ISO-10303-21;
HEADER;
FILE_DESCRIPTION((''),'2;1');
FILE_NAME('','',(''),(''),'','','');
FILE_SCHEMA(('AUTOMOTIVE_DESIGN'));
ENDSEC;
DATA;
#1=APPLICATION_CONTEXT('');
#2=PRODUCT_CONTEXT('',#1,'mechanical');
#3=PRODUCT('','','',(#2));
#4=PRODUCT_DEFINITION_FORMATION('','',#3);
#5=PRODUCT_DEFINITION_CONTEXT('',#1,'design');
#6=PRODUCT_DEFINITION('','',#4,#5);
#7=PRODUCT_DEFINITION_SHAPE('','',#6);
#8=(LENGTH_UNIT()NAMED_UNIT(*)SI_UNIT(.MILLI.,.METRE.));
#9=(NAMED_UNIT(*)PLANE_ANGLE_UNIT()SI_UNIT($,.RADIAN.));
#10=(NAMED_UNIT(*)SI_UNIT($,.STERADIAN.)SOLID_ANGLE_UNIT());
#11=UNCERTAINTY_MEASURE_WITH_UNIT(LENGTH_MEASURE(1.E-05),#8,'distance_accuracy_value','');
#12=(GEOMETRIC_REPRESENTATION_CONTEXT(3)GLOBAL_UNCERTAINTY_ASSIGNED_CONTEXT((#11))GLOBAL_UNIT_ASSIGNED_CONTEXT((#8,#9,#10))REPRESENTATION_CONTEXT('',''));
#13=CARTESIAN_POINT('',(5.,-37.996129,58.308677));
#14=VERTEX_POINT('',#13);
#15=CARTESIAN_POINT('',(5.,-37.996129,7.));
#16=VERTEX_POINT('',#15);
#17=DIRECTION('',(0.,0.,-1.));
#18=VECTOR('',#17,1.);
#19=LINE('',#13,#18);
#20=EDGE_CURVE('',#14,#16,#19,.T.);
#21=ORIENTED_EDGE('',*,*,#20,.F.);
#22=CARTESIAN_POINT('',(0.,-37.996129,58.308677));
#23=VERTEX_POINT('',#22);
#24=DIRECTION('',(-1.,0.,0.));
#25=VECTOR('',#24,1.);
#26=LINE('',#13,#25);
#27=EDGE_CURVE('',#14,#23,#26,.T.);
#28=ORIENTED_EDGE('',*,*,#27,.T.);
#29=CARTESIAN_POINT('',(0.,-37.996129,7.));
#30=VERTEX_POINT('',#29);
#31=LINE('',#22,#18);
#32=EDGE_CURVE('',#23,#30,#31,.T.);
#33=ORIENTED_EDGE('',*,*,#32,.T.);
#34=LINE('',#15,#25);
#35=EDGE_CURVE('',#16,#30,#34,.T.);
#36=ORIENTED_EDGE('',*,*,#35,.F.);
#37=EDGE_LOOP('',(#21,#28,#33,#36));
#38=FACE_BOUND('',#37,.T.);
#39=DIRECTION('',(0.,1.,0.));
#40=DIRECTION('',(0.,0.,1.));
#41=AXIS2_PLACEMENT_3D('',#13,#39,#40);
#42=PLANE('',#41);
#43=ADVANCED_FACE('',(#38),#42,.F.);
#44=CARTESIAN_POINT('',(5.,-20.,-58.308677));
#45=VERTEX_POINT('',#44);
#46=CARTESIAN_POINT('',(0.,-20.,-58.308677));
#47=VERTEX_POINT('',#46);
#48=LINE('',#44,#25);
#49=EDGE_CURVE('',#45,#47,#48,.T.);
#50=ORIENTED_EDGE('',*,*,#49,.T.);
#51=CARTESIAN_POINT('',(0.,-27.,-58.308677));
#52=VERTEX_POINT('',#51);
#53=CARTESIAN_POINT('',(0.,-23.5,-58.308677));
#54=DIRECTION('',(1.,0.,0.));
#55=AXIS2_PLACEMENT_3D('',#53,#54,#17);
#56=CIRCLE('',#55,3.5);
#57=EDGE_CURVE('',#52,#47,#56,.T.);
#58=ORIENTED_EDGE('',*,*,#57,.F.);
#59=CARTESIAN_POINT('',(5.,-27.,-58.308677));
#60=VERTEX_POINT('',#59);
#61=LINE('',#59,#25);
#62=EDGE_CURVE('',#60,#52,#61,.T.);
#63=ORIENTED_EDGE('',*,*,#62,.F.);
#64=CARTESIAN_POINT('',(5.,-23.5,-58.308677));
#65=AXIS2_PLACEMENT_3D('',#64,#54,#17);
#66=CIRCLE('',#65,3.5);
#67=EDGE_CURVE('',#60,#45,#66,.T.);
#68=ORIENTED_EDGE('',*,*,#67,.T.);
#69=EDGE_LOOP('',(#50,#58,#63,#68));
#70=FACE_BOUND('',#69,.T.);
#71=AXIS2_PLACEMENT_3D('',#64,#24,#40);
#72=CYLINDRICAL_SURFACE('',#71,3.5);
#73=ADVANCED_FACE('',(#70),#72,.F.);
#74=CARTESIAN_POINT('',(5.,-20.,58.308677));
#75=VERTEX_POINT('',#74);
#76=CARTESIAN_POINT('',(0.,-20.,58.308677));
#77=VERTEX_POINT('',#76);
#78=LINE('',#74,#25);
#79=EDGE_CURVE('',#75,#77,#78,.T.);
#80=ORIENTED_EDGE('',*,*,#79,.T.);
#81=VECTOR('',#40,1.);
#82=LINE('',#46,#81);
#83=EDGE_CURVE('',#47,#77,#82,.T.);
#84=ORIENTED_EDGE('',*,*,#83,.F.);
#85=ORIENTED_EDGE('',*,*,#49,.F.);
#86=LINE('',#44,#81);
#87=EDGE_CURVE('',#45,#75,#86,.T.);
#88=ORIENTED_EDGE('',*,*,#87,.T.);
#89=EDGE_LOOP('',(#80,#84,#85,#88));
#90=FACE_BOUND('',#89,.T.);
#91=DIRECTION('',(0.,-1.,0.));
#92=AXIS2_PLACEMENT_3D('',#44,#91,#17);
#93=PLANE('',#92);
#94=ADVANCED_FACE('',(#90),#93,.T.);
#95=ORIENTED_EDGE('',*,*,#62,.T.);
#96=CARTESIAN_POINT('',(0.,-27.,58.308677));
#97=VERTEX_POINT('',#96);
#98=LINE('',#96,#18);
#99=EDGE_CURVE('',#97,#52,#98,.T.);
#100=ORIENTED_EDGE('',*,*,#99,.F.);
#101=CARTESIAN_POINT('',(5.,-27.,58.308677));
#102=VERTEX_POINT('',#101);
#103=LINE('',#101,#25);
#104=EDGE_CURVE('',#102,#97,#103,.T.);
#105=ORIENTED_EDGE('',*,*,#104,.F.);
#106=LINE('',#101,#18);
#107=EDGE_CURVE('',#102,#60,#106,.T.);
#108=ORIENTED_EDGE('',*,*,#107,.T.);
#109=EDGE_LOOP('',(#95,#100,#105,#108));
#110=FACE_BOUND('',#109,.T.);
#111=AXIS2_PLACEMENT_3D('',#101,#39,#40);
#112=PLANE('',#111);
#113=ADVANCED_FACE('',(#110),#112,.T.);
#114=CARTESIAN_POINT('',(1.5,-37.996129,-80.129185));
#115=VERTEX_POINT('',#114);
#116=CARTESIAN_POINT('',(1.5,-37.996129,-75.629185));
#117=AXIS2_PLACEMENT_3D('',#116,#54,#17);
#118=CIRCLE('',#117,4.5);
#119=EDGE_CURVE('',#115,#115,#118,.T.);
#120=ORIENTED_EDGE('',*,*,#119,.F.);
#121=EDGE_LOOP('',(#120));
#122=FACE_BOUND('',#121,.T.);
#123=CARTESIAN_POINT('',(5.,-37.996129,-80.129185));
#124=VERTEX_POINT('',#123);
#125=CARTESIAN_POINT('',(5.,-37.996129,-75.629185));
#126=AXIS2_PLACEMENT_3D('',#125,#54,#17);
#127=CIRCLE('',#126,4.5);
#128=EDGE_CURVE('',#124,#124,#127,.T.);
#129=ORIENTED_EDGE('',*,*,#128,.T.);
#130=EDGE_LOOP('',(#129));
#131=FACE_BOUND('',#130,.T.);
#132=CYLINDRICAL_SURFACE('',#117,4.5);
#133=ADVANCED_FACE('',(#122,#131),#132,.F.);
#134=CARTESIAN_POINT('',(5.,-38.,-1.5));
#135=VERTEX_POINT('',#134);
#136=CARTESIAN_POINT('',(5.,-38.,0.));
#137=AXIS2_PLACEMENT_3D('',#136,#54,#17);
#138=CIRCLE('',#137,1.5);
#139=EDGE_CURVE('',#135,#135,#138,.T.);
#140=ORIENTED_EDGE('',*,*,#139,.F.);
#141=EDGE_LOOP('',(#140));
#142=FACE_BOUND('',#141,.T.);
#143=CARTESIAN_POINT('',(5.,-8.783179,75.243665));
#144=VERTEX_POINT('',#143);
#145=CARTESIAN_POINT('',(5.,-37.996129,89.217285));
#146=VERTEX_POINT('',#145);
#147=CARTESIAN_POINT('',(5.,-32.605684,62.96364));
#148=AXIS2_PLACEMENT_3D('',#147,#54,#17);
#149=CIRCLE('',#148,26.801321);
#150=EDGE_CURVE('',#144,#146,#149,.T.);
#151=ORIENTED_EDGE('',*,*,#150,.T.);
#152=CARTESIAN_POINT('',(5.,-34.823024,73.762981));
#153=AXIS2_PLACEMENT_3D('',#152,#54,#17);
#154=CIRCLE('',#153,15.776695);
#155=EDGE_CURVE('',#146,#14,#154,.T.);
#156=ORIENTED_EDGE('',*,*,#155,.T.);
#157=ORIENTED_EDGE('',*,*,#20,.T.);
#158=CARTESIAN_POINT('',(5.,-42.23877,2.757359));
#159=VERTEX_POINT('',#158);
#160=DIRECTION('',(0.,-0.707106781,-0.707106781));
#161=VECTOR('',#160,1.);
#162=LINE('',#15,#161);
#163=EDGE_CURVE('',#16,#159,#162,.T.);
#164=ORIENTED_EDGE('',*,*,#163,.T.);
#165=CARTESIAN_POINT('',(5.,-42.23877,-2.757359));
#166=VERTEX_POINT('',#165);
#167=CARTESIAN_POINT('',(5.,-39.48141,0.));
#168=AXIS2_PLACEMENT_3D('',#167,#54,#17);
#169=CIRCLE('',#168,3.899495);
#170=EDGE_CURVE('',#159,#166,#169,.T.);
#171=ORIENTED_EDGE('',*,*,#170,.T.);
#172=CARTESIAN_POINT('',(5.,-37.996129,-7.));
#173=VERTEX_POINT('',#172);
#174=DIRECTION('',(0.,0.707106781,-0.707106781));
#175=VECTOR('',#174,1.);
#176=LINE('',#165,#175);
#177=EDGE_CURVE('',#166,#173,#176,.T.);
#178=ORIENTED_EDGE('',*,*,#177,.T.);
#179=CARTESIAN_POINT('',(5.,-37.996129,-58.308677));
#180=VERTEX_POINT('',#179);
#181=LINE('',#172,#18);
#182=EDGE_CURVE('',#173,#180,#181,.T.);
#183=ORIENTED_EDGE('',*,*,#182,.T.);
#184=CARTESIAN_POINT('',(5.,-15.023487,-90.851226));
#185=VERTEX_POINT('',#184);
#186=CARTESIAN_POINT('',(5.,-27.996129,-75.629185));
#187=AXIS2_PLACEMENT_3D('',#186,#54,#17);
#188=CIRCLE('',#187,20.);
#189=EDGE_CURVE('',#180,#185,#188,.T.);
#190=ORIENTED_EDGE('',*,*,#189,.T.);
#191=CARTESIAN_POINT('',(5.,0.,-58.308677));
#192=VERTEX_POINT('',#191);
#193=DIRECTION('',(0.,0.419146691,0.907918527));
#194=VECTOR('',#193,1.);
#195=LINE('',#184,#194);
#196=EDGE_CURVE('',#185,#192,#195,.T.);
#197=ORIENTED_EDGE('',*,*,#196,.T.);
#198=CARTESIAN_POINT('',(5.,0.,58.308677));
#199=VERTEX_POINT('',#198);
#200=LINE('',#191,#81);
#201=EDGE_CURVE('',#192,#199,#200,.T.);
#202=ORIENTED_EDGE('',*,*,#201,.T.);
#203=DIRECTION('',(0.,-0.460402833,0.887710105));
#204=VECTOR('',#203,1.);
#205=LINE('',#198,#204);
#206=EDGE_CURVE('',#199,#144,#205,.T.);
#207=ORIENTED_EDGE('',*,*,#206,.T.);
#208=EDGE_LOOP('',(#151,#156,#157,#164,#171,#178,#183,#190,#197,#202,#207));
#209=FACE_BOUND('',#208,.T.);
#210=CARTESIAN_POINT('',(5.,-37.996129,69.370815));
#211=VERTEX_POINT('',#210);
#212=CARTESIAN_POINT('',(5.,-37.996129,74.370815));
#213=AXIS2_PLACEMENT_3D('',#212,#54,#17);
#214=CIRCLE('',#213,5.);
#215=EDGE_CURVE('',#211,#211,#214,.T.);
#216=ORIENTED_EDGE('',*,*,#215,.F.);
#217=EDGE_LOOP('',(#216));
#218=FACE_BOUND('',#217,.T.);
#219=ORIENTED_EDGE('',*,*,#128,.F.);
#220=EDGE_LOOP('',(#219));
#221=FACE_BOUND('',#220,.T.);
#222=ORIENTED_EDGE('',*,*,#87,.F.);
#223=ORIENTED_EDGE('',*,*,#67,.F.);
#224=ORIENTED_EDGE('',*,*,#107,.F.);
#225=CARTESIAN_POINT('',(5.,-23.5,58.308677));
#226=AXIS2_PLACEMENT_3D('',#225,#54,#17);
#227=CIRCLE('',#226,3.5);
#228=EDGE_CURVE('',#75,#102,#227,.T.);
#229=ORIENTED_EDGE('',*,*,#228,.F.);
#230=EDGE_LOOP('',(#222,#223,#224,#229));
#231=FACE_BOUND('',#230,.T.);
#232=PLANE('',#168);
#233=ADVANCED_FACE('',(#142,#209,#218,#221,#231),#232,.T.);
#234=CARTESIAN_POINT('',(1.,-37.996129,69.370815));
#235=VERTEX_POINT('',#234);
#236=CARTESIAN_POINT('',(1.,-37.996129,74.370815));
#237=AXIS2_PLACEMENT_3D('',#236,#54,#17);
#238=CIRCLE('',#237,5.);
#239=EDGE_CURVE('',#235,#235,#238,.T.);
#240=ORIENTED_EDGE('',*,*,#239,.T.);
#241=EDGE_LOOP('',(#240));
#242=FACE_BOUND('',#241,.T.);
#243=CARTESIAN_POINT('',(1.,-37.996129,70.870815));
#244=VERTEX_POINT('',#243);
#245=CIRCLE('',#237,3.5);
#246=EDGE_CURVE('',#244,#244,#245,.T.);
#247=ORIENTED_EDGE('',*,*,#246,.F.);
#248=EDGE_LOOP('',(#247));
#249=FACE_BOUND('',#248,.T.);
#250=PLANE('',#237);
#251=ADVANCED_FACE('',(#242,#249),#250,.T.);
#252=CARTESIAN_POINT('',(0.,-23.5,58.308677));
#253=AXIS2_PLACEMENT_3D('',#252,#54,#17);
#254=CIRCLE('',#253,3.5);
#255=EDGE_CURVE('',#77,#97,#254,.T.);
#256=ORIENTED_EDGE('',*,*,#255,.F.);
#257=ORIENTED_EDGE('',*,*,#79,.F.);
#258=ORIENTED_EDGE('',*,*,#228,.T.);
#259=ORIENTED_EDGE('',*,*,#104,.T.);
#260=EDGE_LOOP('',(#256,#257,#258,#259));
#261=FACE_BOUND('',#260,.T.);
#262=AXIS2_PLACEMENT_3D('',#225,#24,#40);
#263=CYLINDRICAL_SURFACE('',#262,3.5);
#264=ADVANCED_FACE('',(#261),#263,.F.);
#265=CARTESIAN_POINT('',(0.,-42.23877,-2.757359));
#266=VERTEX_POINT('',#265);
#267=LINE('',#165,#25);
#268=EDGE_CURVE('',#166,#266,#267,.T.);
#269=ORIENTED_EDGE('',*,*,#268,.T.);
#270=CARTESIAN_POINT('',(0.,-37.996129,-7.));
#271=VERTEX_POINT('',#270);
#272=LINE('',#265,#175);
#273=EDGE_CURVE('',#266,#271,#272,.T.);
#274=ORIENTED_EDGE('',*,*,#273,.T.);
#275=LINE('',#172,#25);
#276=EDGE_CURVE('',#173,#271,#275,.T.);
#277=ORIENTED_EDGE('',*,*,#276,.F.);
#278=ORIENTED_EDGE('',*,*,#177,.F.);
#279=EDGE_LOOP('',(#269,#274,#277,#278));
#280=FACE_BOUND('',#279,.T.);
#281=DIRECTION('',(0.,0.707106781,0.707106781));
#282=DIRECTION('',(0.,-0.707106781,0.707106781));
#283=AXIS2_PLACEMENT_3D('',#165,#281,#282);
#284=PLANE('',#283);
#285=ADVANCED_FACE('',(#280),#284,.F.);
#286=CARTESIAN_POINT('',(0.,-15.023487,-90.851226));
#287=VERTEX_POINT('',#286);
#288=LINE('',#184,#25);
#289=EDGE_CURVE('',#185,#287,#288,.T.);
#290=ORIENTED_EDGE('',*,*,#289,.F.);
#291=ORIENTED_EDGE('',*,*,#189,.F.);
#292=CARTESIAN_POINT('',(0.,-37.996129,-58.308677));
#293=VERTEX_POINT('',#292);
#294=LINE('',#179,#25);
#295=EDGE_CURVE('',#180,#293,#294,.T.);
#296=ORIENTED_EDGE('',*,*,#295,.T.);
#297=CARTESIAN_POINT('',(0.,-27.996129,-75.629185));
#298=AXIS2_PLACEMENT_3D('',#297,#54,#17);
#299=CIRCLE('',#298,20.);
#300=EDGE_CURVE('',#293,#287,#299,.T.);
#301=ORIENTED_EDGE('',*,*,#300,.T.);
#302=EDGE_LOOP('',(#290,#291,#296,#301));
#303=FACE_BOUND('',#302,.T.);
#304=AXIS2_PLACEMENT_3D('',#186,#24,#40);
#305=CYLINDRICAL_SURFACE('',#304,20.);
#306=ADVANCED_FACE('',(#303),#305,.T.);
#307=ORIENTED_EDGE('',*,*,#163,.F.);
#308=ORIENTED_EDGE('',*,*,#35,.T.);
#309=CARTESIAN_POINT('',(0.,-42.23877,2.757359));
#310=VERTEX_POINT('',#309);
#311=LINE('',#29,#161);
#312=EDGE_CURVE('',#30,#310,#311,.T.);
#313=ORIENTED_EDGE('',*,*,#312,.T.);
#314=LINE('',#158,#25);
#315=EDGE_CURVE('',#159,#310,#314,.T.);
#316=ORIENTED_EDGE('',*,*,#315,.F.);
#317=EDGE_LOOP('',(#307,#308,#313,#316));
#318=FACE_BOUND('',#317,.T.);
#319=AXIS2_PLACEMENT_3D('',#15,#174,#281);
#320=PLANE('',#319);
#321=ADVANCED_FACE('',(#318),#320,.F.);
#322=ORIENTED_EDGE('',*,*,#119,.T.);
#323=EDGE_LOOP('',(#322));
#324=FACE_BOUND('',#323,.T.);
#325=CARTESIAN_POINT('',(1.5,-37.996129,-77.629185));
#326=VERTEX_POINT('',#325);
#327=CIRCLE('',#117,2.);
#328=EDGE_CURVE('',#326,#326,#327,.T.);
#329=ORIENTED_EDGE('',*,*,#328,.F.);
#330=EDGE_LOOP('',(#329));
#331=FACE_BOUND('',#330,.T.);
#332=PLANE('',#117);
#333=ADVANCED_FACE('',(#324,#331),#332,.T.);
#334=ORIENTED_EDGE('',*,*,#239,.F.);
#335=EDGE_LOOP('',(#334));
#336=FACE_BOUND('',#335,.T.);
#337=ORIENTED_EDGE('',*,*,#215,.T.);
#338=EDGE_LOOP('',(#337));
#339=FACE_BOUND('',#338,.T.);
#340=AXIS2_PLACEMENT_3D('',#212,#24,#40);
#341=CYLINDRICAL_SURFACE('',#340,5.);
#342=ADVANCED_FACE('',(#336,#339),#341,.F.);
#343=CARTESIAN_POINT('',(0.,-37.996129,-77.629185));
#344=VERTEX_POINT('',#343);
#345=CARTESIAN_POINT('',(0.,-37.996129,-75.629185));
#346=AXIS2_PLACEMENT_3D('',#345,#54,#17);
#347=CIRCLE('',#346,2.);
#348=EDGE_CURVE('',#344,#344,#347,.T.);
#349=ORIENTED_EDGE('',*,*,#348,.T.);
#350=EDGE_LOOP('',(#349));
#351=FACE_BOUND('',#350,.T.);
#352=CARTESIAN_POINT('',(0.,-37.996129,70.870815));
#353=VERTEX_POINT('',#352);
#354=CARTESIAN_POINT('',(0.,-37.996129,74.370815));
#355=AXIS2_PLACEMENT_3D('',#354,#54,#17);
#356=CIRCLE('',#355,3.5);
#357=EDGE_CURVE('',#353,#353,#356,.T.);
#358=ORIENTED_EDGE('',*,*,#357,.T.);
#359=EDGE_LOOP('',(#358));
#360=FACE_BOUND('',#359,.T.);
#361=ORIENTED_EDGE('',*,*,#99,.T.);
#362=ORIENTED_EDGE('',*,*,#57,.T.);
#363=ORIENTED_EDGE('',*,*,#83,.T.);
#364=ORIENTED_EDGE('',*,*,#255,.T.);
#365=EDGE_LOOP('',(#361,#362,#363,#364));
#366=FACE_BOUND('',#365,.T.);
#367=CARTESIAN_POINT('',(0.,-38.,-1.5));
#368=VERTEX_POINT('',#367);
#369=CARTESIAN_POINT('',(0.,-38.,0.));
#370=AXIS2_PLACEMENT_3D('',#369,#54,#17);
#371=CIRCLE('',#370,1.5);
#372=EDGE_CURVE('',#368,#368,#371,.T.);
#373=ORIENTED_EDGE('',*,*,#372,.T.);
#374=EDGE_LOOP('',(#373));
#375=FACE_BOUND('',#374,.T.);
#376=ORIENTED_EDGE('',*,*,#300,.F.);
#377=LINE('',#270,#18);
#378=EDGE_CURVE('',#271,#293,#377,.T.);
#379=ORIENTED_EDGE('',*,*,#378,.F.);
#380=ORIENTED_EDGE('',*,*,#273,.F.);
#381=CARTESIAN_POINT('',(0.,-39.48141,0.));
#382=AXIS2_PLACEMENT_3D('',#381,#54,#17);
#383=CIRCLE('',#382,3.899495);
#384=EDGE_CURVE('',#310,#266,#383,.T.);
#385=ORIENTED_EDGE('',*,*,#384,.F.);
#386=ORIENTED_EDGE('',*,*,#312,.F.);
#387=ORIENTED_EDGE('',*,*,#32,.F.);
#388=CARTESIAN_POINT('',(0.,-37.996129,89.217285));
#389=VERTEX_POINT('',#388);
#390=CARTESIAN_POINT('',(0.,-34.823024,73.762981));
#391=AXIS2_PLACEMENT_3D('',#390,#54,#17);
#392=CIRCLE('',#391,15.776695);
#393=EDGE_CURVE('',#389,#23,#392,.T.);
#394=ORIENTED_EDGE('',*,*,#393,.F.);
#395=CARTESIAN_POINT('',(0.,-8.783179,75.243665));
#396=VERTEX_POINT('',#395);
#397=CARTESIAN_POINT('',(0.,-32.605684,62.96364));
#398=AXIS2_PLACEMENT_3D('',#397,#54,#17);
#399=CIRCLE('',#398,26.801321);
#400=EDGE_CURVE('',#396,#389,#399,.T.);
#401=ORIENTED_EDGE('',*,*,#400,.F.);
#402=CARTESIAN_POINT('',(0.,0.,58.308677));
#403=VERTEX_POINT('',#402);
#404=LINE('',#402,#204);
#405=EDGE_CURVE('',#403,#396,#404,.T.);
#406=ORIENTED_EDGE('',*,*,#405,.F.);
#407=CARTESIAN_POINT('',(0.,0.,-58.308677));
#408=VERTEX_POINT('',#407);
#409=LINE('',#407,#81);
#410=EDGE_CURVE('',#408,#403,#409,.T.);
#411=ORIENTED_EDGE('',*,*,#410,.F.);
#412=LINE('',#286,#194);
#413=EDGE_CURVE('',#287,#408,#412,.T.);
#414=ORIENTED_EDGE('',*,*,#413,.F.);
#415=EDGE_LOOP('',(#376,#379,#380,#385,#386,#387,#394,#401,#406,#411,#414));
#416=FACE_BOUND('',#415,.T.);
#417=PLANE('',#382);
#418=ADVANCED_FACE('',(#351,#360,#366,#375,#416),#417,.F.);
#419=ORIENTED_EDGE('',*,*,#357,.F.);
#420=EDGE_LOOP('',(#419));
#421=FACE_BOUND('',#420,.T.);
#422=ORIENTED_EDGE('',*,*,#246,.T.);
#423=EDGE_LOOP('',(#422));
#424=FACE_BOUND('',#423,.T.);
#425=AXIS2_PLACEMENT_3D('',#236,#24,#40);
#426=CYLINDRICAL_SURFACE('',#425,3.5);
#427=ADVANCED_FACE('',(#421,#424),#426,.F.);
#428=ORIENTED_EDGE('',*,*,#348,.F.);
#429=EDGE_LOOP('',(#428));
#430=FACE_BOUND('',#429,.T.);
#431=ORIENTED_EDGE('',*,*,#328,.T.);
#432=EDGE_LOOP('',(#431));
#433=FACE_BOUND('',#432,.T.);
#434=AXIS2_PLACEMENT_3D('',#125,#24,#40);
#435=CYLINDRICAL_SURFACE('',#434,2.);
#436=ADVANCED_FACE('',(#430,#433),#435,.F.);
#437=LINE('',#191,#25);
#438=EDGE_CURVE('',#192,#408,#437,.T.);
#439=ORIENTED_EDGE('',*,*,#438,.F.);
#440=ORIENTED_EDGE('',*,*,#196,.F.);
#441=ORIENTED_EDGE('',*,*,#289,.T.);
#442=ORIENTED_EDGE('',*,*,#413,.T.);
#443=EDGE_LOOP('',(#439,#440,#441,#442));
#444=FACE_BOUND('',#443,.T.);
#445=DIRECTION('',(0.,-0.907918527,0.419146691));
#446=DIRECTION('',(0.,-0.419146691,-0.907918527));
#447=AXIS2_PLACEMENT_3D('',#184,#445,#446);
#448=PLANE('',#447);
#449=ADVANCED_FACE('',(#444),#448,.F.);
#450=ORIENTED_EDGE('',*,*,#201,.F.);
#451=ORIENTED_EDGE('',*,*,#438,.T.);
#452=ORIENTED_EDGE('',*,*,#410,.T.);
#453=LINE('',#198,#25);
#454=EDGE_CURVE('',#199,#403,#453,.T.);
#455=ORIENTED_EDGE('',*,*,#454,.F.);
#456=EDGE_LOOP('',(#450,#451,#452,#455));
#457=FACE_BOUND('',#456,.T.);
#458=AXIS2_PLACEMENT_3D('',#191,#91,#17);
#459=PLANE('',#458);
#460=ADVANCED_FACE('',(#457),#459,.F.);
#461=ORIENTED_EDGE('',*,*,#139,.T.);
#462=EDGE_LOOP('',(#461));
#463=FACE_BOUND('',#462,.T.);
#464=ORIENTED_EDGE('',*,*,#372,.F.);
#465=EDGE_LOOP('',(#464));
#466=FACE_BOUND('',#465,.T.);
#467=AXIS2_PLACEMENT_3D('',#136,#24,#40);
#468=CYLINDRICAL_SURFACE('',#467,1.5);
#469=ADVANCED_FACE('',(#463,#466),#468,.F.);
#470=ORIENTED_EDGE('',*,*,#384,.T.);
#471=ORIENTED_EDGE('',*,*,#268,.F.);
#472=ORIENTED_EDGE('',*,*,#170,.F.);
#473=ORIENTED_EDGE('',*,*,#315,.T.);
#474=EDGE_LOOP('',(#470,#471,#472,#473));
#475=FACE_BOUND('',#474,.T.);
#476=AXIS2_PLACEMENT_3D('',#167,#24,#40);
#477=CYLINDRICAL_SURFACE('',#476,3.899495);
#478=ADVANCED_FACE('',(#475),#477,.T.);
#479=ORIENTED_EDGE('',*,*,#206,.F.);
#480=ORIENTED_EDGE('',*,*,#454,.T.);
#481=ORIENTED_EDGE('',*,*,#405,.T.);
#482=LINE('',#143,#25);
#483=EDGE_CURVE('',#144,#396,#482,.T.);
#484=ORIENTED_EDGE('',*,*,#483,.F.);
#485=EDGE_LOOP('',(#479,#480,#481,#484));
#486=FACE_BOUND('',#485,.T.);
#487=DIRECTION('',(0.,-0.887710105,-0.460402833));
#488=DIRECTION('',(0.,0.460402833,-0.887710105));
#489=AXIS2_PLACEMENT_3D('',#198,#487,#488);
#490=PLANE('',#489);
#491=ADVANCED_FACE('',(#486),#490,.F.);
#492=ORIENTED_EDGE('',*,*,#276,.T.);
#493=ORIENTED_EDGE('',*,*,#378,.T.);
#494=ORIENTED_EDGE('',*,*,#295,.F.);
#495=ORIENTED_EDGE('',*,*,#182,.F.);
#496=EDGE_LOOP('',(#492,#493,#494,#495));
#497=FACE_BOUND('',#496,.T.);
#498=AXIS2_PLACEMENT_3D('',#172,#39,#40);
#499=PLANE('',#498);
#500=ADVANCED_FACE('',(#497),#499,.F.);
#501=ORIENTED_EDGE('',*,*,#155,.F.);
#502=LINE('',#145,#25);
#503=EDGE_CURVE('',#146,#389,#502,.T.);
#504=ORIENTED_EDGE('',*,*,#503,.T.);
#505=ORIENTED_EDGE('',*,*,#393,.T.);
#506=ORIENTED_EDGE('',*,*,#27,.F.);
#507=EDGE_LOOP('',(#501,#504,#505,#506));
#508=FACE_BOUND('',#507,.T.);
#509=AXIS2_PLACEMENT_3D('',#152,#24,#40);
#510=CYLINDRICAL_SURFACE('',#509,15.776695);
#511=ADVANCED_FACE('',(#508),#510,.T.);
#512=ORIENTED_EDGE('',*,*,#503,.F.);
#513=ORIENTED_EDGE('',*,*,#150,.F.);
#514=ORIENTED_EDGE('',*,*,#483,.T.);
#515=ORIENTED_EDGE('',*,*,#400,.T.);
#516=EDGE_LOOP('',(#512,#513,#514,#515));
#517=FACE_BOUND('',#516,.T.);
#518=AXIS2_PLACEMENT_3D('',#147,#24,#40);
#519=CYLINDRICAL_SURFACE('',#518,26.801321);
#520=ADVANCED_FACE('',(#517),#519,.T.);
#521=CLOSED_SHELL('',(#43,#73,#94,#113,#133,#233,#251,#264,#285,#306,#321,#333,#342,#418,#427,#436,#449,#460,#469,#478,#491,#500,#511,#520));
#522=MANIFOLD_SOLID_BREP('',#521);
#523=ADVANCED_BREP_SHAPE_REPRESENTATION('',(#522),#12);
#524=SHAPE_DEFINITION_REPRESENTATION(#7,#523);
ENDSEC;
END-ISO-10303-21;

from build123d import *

# Parameters (mm, degrees)
SKETCH2_R           = 5
SKETCH2_R_2         = 2
SKETCH2_R_3         = 1.5
BOSS_EXTRUDE1_DEPTH = 5
SKETCH3_R           = 4.5
CUT_EXTRUDE1_DEPTH  = 3.5
BOSS_EXTRUDE2_START = -5
SKETCH4_R           = 5
SKETCH4_R_2         = 3.5
BOSS_EXTRUDE2_DEPTH = 1


with BuildPart() as part:
    # Sketch2 → Boss-Extrude1 (new body)
    with BuildSketch(Plane(origin=(0, 0, 0), x_dir=(0, 0, -1), z_dir=(1, 0, 0))):
        with BuildLine():
            Line((58.308676511, 0), (-58.308676511, 0))
            Line((-58.308676511, 0), (-75.243665272, -8.783179062))
            ThreePointArc((-75.243665272, -8.783179062), (-87.141316573, -21.040619401), (-89.217284989, -37.996128985))
            ThreePointArc((-89.217284989, -37.996128985), (-73.76298075, -50.59971931), (-58.308676511, -37.996128985))
            Line((-58.308676511, -37.996128985), (-7, -37.996128985))
            Line((-7, -37.996128985), (-2.757359313, -42.238769672))
            ThreePointArc((-2.757359313, -42.238769672), (0, -43.380905296), (2.757359313, -42.238769672))
            Line((2.757359313, -42.238769672), (7, -37.996128985))
            Line((7, -37.996128985), (58.308676511, -37.996128985))
            ThreePointArc((58.308676511, -37.996128985), (87.163327852, -44.335147902), (90.85122644, -15.023486932))
            Line((90.85122644, -15.023486932), (58.308676511, 0))
        make_face()
        with Locations((-74.370815413, -37.996128985)):
            Circle(SKETCH2_R, mode=Mode.SUBTRACT)
        with Locations((75.629184587, -37.996128985)):
            Circle(SKETCH2_R_2, mode=Mode.SUBTRACT)
        with Locations((0, -38)):
            Circle(SKETCH2_R_3, mode=Mode.SUBTRACT)
        with BuildLine():
            Line((-58.308676511, -27), (58.308676511, -27))
            ThreePointArc((58.308676511, -27), (61.808676511, -23.5), (58.308676511, -20))
            Line((58.308676511, -20), (-58.308676511, -20))
            ThreePointArc((-58.308676511, -20), (-61.808676511, -23.5), (-58.308676511, -27))
        make_face(mode=Mode.SUBTRACT)
    extrude(amount=BOSS_EXTRUDE1_DEPTH)

    # Sketch3 → Cut-Extrude1 (cut)
    with BuildSketch(Plane(origin=(5, 0, 0), x_dir=(0, 0, -1), z_dir=(1, 0, 0))):
        with Locations((75.629184587, -37.996128985)):
            Circle(SKETCH3_R)
    extrude(amount=-CUT_EXTRUDE1_DEPTH, mode=Mode.SUBTRACT)

    # Sketch4 → Boss-Extrude2 (add)
    with BuildSketch(Plane(origin=(5, 0, 0), x_dir=(0, 0, -1), z_dir=(1, 0, 0)).offset(BOSS_EXTRUDE2_START)):
        with Locations((-74.370815413, -37.996128985)):
            Circle(SKETCH4_R)
        with Locations((-74.370815413, -37.996128985)):
            Circle(SKETCH4_R_2, mode=Mode.SUBTRACT)
    extrude(amount=BOSS_EXTRUDE2_DEPTH)


solid = part.part
